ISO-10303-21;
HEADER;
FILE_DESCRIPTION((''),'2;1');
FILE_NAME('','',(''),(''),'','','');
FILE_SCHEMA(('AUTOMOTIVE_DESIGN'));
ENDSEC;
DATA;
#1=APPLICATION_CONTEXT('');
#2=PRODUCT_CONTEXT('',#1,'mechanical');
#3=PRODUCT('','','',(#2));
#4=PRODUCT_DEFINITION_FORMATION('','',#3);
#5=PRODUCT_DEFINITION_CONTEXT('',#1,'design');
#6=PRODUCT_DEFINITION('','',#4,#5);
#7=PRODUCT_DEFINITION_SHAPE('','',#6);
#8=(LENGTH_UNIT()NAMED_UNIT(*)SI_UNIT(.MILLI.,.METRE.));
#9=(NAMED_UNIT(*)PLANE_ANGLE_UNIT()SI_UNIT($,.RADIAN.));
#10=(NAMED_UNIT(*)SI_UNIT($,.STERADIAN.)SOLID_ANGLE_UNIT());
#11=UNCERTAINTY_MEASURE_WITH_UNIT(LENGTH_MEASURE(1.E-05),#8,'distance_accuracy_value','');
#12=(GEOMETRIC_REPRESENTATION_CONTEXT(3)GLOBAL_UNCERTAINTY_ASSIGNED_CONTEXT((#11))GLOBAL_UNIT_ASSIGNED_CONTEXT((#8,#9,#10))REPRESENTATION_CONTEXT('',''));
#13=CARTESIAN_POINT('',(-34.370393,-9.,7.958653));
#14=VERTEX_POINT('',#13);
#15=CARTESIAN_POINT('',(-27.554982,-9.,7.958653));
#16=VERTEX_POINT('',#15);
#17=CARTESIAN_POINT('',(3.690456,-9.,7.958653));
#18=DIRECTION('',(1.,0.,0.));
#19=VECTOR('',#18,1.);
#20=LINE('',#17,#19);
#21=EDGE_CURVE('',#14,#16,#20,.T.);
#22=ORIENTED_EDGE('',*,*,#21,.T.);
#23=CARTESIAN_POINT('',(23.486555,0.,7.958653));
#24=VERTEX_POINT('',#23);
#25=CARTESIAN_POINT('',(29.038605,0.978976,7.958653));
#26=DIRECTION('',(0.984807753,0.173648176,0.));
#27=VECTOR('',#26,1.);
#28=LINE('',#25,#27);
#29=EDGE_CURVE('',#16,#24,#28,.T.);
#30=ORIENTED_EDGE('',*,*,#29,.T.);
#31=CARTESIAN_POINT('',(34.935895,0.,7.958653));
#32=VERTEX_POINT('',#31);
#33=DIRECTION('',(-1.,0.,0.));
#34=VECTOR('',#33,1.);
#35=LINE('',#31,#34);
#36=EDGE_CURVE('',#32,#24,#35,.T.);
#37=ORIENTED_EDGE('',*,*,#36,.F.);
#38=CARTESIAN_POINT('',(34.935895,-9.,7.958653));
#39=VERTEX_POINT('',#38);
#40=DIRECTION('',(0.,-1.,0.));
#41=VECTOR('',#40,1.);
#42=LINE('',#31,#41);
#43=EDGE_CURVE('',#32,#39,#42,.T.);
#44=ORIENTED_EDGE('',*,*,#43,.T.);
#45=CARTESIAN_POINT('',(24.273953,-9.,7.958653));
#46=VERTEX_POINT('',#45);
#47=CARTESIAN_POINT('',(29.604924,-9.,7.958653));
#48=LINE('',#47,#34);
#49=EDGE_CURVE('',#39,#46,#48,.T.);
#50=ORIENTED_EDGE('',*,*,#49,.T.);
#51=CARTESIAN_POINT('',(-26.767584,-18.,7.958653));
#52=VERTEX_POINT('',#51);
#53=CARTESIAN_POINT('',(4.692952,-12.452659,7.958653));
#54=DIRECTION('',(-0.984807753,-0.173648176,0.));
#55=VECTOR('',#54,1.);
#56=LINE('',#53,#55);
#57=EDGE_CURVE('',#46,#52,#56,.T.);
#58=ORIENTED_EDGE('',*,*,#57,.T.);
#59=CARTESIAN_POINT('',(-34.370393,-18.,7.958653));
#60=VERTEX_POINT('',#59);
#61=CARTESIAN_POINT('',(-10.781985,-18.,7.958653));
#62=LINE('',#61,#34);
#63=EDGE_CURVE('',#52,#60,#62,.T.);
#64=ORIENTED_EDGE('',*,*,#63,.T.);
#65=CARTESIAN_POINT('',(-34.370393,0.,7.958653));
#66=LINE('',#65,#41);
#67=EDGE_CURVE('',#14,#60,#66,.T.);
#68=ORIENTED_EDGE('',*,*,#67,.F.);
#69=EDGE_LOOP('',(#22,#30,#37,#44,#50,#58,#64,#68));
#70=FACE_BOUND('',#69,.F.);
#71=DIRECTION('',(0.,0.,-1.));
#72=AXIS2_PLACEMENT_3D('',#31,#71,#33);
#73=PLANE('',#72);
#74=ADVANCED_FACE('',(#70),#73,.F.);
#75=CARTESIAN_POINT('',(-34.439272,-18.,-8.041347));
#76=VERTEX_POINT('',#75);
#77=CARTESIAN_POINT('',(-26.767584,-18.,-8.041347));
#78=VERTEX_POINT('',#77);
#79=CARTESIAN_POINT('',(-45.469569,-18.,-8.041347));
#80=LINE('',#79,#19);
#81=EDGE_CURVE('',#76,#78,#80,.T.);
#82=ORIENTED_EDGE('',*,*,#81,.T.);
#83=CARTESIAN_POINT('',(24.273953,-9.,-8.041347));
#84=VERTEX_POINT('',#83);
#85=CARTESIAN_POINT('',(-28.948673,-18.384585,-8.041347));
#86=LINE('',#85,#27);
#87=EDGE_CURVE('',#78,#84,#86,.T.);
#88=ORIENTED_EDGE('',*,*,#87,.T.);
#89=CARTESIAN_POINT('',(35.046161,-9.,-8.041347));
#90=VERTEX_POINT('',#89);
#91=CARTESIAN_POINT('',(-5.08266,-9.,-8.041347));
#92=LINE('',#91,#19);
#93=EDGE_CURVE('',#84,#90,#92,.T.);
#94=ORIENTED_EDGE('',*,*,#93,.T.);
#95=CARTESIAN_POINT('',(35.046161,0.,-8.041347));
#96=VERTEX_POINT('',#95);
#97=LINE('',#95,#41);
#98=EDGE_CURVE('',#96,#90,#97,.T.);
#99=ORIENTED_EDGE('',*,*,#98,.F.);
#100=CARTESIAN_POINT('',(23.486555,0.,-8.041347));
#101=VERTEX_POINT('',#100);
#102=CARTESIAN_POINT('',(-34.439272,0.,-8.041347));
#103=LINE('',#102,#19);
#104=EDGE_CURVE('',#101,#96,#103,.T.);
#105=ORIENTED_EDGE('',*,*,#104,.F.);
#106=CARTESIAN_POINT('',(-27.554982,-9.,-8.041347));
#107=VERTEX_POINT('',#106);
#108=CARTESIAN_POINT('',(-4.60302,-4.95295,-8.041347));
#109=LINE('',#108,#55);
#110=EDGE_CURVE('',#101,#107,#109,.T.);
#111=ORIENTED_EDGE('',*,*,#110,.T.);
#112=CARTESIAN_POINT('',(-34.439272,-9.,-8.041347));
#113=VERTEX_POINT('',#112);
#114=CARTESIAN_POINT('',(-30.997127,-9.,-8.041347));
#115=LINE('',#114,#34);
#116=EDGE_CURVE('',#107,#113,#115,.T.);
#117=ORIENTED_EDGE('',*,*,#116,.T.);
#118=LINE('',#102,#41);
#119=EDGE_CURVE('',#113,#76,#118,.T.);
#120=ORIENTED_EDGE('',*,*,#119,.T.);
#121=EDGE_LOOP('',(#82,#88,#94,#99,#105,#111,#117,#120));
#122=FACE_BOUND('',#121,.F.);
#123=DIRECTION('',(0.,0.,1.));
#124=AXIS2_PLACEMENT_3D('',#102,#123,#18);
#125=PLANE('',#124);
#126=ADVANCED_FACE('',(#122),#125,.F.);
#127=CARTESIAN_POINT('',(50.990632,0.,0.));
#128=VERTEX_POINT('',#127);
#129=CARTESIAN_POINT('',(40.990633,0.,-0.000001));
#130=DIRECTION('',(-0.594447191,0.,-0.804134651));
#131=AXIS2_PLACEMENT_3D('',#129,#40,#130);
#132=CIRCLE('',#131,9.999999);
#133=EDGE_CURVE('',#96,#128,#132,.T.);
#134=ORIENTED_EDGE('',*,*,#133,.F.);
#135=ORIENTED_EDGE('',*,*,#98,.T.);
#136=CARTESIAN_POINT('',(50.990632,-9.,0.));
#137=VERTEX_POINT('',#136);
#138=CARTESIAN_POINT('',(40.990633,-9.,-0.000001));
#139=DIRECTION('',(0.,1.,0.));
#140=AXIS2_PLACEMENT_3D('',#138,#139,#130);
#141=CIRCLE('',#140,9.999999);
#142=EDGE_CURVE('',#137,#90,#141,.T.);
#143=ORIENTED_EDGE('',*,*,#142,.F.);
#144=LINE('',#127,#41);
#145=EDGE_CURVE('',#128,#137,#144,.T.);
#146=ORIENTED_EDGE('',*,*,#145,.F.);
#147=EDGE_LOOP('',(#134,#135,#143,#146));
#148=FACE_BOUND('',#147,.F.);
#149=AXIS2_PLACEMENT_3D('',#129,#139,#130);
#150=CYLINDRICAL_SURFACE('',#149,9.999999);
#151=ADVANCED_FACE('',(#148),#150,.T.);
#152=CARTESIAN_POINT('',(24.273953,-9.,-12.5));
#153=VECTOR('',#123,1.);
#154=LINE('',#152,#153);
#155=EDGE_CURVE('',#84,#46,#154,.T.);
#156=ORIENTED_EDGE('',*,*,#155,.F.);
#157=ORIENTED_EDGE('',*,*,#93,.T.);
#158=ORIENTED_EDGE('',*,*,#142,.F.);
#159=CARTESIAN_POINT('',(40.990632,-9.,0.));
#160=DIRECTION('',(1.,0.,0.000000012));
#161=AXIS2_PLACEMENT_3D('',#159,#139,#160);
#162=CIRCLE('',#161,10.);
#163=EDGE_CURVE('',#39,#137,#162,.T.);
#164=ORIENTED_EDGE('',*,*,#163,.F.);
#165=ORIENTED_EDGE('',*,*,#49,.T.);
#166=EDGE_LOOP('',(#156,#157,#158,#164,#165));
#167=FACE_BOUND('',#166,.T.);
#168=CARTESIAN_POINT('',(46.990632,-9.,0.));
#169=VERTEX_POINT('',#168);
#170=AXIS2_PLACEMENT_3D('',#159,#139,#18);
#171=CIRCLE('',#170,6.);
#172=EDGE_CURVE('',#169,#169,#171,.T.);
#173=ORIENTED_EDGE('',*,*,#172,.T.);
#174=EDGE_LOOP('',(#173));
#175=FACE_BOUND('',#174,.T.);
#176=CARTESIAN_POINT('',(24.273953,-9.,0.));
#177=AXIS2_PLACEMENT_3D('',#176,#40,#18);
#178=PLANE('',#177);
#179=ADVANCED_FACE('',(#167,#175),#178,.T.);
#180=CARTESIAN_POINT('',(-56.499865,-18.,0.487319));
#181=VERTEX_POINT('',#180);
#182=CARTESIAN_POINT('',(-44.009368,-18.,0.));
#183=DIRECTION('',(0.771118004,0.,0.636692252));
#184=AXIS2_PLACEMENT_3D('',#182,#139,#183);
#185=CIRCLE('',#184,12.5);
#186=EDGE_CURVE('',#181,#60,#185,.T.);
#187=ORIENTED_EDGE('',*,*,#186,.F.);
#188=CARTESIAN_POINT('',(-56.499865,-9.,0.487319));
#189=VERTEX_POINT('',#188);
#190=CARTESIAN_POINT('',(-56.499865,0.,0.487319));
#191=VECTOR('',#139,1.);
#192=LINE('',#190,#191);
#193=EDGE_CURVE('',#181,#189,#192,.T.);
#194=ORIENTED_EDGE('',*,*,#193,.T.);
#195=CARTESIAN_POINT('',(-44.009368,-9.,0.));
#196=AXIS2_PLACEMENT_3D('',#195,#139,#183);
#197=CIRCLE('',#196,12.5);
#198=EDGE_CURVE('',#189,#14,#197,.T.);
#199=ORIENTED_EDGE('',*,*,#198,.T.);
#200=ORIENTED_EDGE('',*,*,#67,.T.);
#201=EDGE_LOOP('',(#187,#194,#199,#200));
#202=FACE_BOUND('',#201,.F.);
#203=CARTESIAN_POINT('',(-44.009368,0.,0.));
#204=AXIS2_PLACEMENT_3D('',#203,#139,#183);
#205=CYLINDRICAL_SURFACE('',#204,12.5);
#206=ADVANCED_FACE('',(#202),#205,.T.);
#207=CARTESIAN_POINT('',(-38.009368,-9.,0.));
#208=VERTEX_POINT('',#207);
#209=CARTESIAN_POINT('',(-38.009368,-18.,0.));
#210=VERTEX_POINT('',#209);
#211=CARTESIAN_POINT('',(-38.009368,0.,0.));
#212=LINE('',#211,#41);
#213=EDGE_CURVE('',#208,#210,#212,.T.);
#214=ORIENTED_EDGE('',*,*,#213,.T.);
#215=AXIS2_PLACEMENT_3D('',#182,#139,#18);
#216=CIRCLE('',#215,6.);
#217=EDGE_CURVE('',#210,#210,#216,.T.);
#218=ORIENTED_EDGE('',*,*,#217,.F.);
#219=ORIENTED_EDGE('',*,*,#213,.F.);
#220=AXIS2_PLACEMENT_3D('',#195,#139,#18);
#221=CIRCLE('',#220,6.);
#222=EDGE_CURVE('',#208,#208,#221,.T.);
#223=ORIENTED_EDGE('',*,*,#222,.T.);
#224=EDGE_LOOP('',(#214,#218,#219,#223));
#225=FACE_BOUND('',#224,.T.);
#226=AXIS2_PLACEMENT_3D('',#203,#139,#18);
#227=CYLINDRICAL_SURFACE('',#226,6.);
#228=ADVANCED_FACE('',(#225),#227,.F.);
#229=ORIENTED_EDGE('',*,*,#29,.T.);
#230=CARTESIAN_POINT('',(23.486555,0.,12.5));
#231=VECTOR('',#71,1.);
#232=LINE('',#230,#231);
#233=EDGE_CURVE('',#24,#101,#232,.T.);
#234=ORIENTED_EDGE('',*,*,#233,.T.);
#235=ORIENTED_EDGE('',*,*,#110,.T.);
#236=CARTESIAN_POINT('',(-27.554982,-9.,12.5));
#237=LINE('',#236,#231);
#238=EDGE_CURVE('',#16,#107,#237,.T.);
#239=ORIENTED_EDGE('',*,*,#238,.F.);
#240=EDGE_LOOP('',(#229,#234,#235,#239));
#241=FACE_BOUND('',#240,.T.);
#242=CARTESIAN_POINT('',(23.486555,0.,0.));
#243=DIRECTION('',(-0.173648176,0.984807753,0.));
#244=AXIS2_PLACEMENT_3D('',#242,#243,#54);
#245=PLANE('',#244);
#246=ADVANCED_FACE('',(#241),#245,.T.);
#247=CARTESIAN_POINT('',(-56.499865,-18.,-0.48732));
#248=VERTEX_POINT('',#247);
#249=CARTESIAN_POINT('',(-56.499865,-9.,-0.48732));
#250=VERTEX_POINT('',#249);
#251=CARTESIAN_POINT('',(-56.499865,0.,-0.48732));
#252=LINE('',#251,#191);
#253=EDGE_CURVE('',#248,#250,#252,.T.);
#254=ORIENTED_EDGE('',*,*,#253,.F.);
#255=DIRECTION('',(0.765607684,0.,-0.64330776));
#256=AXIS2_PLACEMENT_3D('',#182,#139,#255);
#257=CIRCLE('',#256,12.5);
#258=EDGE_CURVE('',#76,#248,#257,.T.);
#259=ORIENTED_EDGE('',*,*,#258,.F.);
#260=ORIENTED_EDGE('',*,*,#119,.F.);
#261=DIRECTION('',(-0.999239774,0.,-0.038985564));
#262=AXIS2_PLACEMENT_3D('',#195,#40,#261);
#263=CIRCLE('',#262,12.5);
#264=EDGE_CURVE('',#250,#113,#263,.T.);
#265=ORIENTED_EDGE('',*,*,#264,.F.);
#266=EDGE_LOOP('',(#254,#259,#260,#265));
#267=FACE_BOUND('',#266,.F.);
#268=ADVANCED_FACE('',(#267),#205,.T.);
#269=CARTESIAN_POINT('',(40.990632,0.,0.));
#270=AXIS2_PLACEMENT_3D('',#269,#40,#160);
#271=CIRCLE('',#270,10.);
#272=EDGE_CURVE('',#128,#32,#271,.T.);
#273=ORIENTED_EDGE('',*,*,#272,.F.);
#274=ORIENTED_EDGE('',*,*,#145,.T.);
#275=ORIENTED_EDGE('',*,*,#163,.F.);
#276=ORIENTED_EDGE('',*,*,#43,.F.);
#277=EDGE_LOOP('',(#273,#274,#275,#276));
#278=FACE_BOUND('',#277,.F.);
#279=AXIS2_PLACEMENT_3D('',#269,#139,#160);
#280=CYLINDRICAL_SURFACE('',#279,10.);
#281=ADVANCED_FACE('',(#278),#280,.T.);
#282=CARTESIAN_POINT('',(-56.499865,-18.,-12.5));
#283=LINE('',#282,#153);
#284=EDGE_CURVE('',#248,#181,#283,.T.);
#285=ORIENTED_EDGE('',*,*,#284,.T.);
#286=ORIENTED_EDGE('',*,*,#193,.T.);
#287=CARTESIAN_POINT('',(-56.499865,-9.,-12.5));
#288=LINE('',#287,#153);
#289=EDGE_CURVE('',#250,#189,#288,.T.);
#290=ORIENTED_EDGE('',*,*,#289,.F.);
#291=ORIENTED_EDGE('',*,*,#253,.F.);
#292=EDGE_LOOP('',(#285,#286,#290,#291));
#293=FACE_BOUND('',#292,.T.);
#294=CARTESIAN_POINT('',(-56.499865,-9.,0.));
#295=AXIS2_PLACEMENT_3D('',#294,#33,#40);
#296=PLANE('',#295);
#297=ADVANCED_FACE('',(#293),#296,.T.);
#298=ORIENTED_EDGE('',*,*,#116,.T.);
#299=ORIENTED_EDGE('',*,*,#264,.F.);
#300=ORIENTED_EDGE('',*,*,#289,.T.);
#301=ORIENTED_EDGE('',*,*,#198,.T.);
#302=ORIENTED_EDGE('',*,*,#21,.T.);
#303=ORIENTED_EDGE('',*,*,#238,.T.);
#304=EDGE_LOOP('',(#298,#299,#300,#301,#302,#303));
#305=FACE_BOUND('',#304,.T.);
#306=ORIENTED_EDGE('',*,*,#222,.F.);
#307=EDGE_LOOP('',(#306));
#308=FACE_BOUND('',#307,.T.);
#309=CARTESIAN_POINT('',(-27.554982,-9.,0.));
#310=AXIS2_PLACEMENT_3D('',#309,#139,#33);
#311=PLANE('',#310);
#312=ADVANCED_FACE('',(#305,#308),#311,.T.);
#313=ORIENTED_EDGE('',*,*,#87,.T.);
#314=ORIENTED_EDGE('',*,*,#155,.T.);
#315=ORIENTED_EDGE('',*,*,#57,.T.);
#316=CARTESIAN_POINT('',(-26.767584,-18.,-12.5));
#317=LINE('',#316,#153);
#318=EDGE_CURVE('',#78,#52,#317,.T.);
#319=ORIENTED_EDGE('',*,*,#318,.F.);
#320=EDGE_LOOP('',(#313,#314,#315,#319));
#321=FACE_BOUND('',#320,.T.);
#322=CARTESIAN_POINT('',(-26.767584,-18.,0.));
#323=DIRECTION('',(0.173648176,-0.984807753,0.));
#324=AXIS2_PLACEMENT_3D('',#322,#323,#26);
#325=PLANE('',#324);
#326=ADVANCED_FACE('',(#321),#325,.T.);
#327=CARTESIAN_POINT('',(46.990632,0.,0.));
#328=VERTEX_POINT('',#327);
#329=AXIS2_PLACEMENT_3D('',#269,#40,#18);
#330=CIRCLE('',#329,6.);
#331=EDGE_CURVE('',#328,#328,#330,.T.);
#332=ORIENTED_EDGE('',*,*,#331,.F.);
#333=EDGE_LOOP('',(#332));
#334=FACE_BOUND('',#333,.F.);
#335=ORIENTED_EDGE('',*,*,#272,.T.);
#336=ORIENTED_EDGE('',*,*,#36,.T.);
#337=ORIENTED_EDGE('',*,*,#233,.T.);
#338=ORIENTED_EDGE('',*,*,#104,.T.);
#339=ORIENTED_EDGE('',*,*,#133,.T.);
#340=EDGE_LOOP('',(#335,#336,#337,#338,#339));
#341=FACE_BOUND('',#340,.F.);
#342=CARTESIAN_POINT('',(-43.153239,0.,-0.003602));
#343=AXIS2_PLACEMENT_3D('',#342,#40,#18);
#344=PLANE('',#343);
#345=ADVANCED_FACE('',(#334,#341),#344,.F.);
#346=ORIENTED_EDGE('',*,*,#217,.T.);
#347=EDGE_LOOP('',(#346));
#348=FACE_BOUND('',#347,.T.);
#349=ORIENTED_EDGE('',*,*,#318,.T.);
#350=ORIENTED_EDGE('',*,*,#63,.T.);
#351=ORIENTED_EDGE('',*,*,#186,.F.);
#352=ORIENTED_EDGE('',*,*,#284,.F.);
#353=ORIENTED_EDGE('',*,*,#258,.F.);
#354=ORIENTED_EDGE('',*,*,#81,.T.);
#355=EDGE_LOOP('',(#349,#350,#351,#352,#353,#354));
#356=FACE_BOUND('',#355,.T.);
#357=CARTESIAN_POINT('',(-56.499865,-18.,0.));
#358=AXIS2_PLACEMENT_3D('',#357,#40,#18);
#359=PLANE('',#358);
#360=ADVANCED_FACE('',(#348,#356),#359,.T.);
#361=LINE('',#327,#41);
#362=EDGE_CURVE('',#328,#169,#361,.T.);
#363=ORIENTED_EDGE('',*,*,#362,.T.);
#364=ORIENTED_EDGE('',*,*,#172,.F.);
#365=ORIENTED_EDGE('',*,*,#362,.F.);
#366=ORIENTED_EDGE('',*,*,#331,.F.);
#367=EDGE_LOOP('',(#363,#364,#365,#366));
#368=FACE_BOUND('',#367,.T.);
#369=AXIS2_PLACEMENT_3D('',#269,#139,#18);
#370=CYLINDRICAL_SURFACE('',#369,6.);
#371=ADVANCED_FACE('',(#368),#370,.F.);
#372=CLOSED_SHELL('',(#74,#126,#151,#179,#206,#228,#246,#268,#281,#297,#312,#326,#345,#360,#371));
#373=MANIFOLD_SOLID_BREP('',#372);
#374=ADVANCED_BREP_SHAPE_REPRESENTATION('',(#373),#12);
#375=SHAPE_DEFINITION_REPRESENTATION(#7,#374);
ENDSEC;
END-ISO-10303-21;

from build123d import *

# Parameters (mm, degrees)
F0_R     = 6
F1_DEPTH = 25
F3_DEPTH = 12.5


with BuildPart() as f1:
    # F0 (on Front) → F1 (new body)
    with BuildSketch(Plane.XZ):
        with BuildLine():
            ThreePointArc((-34.439272, -8.041347), (-32.264663, -4.27924), (-31.509368, 0))
            ThreePointArc((-31.509368, 0), (-32.24635, 4.228641), (-34.370393, 7.958653))
            ThreePointArc((-34.370393, 7.958653), (-56.509252, 0.053811), (-34.439272, -8.041347))
        make_face()
        with Locations((-44.009368, 0)):
            Circle(F0_R, mode=Mode.SUBTRACT)
        with BuildLine():
            ThreePointArc((-34.370393, 7.958653), (-32.24635, 4.228641), (-31.509368, 0))
            ThreePointArc((-31.509368, 0), (-32.264663, -4.27924), (-34.439272, -8.041347))
            Line((-34.439272, -8.041347), (35.046161, -8.041347))
            ThreePointArc((35.046161, -8.041347), (30.99087, -0.068914), (34.935895, 7.958653))
            Line((34.935895, 7.958653), (-34.370393, 7.958653))
        make_face()
        with BuildLine():
            ThreePointArc((50.990632, 0), (45.432064, 8.959558), (34.935895, 7.958653))
            ThreePointArc((34.935895, 7.958653), (30.99087, -0.068914), (35.046161, -8.041347))
            ThreePointArc((35.046161, -8.041347), (45.493703, -8.928738), (50.990632, 0))
        make_face()
        with Locations((40.990632, 0)):
            Circle(F0_R, mode=Mode.SUBTRACT)
    extrude(amount=F1_DEPTH)

    # F2 (on Top) → F3 (intersect, symmetric)
    with BuildSketch(Plane.XY):
        Polygon((-27.554982, -9), (-56.499865, -9), (-56.499865, -18), (-26.767584, -18), (24.273953, -9), (51.126346, -9), (51.126346, 0), (23.486555, 0), align=None)
    extrude(amount=F3_DEPTH, both=True, mode=Mode.INTERSECT)


solid = f1.part
